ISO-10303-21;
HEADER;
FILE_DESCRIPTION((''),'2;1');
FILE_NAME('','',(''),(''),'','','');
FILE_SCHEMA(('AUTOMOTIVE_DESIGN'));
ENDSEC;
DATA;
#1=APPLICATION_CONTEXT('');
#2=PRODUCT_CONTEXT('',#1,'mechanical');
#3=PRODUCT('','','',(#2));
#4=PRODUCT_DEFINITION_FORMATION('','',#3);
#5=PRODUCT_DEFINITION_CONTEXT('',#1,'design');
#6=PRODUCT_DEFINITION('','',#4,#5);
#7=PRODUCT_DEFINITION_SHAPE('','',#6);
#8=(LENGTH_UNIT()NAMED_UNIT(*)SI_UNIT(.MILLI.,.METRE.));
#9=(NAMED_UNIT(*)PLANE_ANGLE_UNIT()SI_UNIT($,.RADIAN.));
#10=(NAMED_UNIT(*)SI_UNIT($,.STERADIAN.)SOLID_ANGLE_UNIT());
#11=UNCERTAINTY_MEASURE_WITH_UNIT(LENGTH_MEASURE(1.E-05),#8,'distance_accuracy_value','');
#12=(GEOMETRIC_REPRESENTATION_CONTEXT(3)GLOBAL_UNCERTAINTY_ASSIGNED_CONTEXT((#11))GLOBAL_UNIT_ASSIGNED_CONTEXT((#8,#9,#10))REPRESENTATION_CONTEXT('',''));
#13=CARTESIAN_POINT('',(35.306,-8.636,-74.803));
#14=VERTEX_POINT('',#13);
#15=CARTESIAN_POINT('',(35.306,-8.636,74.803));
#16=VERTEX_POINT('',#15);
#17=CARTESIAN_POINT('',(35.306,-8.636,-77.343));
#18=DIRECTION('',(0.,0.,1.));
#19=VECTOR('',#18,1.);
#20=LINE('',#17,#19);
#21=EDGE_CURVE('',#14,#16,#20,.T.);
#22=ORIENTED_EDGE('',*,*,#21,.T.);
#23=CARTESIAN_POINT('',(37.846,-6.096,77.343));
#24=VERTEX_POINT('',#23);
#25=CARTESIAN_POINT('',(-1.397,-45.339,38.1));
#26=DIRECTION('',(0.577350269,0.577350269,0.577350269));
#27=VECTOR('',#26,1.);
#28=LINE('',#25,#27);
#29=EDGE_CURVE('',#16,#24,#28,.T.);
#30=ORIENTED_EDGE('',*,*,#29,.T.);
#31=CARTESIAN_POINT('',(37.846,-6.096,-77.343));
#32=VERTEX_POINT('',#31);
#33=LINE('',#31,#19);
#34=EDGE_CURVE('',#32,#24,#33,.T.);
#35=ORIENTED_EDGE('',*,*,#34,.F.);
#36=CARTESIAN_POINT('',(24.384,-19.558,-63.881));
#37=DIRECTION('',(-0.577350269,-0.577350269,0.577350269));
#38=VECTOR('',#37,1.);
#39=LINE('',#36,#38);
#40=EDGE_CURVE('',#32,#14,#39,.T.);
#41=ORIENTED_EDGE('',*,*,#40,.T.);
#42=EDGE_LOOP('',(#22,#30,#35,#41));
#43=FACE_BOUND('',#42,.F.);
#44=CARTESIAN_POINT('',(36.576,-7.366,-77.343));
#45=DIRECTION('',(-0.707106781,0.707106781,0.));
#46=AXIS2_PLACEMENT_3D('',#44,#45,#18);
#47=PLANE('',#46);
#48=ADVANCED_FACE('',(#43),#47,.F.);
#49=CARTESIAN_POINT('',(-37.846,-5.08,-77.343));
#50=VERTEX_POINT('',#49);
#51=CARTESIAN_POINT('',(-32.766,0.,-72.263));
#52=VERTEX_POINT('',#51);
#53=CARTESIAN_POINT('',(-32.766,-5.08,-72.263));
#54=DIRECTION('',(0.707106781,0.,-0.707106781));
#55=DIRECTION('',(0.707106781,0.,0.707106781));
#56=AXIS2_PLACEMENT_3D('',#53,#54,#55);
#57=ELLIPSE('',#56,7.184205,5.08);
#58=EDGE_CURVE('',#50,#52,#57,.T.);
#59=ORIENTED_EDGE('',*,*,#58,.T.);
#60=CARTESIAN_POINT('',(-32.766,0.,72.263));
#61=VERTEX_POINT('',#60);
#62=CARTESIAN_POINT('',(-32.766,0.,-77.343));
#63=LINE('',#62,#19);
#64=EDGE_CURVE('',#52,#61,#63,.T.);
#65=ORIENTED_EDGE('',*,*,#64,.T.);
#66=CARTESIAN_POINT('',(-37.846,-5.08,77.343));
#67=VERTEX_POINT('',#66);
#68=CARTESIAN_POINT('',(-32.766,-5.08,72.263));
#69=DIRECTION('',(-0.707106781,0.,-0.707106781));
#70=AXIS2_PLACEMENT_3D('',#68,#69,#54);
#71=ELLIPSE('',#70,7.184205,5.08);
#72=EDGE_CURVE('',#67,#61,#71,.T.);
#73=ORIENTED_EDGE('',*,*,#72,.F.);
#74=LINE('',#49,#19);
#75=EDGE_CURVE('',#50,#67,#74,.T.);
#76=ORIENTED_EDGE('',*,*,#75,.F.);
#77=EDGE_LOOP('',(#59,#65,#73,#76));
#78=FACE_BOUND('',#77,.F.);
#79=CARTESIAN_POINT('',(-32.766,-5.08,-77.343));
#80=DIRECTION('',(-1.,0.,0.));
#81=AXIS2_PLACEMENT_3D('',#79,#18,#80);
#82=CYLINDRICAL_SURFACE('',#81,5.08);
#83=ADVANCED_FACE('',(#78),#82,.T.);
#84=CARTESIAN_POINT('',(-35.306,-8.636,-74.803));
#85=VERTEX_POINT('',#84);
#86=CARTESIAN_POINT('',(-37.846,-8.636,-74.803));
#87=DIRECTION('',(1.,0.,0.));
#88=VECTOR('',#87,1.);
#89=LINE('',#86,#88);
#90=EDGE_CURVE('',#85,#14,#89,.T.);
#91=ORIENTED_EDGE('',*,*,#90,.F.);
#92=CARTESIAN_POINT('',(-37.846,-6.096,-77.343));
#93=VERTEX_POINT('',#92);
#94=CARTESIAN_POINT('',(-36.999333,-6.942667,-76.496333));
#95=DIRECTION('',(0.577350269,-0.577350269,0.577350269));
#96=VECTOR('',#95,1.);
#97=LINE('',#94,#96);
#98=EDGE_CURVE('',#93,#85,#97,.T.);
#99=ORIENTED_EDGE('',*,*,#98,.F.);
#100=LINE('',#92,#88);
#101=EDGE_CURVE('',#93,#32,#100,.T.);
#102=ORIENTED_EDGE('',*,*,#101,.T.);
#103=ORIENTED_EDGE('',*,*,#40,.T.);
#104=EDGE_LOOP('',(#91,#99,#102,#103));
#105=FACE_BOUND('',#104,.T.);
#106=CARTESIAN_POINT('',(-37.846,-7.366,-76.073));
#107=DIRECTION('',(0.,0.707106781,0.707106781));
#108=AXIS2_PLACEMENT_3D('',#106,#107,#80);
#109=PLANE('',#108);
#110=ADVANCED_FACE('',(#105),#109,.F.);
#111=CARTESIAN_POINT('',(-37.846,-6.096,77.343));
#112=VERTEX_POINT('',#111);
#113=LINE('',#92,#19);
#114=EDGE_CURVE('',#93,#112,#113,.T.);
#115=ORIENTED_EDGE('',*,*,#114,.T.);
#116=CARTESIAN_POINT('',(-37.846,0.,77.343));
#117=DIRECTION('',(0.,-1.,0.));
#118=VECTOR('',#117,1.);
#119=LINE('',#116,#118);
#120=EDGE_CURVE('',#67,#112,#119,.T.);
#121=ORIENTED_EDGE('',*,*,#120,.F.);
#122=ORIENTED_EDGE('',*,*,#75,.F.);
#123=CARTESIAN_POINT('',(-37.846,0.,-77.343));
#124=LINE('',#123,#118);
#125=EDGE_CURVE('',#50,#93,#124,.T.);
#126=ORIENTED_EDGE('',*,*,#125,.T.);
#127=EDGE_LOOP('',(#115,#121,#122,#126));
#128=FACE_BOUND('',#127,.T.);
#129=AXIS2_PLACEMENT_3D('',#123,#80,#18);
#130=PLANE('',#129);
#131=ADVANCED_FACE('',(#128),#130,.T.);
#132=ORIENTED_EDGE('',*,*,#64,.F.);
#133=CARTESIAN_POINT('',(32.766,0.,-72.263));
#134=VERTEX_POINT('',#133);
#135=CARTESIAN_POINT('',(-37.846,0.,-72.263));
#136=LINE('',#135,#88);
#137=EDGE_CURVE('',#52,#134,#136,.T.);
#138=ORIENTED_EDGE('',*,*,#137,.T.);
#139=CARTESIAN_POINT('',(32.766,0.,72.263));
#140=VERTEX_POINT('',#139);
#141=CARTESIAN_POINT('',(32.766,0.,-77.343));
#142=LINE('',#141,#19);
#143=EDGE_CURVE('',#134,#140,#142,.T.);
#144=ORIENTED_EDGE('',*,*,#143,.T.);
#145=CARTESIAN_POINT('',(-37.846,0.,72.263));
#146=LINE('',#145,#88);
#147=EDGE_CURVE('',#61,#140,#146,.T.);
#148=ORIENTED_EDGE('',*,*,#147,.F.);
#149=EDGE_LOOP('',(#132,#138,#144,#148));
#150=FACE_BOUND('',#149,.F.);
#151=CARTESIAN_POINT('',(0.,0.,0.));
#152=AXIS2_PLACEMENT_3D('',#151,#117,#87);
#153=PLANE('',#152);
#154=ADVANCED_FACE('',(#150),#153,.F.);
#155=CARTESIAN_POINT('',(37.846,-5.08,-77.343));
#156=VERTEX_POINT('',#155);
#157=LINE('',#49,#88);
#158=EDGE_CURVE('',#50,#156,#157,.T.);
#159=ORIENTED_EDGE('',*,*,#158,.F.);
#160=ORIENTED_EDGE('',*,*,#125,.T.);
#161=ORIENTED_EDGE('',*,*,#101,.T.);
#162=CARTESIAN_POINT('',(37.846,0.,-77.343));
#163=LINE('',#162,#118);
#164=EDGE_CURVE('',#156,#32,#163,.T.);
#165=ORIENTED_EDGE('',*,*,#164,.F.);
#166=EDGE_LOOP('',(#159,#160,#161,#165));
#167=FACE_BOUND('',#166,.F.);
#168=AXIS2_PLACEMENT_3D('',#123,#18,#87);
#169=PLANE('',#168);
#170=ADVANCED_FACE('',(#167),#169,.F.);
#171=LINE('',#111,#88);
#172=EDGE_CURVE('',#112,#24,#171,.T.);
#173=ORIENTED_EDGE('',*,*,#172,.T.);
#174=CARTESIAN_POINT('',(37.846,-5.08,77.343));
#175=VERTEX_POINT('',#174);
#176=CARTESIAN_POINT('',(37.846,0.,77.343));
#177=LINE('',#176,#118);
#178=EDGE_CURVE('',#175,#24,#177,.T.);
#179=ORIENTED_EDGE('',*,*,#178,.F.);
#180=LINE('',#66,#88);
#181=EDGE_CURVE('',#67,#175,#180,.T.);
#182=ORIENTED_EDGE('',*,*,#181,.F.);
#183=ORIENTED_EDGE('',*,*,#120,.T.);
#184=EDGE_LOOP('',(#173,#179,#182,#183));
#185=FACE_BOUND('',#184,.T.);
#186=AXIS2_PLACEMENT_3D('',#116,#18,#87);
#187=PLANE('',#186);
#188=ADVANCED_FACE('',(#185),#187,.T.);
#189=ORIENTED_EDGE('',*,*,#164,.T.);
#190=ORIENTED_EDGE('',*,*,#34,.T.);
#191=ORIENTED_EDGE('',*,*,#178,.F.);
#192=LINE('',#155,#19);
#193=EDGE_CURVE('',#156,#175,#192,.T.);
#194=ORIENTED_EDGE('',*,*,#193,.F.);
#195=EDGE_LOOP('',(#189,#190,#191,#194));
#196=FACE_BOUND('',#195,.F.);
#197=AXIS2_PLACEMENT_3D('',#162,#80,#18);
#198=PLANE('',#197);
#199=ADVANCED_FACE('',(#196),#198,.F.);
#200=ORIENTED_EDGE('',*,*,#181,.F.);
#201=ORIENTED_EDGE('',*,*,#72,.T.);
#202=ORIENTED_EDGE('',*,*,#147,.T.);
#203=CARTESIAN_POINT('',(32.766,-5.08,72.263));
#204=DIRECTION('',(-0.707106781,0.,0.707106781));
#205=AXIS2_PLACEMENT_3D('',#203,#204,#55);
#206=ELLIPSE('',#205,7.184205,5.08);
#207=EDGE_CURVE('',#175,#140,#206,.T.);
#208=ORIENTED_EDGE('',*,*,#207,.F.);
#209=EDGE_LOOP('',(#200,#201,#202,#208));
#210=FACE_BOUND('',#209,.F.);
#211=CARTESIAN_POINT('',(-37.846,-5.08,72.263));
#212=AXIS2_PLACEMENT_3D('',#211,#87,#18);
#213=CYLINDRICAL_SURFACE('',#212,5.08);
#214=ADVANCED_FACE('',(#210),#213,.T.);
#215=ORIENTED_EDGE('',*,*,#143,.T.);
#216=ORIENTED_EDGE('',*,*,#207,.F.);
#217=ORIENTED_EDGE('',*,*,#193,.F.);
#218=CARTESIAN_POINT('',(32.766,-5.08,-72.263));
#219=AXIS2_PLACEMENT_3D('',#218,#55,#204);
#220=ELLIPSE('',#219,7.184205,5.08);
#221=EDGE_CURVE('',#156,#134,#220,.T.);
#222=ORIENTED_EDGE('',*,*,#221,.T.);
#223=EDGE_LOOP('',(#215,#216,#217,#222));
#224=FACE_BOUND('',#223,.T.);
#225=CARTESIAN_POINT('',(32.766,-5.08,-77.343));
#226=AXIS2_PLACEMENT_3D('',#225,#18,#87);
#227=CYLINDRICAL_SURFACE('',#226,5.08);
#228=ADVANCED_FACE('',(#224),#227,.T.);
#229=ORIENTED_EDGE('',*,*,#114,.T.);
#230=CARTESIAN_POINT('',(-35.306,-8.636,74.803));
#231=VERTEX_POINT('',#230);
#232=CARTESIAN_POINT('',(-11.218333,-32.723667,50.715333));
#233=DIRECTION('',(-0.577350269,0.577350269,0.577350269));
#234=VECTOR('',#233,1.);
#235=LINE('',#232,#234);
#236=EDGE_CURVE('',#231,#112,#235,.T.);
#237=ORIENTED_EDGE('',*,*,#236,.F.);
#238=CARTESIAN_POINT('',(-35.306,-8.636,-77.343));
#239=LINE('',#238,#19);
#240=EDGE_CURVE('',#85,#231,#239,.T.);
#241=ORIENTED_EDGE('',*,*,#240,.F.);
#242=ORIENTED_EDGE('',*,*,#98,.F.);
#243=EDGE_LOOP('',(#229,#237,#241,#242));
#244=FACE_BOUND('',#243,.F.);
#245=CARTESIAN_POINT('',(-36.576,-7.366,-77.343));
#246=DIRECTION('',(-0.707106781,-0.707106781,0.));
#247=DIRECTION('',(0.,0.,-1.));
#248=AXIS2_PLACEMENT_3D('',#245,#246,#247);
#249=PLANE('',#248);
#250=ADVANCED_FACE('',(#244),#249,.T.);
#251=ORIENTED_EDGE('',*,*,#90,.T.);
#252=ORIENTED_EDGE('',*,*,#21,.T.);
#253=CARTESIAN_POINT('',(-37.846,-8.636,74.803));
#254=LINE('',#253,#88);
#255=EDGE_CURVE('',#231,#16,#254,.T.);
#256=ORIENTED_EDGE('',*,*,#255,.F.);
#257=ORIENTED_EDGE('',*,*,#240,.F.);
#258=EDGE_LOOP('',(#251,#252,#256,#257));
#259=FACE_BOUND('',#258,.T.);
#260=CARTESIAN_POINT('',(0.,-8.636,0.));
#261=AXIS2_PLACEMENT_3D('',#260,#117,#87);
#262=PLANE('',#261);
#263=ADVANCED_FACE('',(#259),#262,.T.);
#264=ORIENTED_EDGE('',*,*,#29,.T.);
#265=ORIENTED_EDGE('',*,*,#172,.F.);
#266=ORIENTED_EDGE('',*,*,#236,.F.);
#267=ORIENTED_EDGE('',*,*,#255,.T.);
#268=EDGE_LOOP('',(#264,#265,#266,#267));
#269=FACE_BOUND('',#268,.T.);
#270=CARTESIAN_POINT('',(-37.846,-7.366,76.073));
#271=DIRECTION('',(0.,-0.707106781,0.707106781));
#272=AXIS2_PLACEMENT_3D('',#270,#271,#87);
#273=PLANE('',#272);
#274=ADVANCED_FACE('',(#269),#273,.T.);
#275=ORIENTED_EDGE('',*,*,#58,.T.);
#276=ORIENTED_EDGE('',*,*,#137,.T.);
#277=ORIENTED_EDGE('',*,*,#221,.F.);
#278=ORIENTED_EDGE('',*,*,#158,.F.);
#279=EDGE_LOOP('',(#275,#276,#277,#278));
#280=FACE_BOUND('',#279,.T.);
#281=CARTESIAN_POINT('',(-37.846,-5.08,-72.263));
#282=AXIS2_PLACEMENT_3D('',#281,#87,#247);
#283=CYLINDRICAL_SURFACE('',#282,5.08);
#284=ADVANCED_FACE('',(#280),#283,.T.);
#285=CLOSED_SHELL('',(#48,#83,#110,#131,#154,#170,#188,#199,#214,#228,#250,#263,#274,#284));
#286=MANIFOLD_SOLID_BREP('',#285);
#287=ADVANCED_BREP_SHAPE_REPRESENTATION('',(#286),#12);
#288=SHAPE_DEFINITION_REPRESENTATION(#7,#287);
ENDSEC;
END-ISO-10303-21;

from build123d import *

# Parameters (mm, degrees)
F0_W     = 75.692
F0_H     = 154.686
F1_DEPTH = 8.636
F2_R     = 5.08
F3_SIZE  = 2.54


with BuildPart() as f1:
    # F0 (on Front) → F1 (new body)
    with BuildSketch(Plane.XZ):
        Rectangle(F0_W, F0_H)
    extrude(amount=F1_DEPTH)

    # F2
    f2_edges = [f1.edges().sort_by_distance(p)[0] for p in [
        (37.846, 0, 0),
        (0, 0, 77.343),
        (-37.846, 0, 0),
        (0, 0, -77.343),
    ]]
    fillet(f2_edges, radius=F2_R)

    # F3
    f3_edges = [f1.edges().sort_by_distance(p)[0] for p in [
        (0, -8.636, 77.343),
        (-37.846, -8.636, 0),
        (0, -8.636, -77.343),
        (37.846, -8.636, 0),
    ]]
    chamfer(f3_edges, length=F3_SIZE)


solid = f1.part
